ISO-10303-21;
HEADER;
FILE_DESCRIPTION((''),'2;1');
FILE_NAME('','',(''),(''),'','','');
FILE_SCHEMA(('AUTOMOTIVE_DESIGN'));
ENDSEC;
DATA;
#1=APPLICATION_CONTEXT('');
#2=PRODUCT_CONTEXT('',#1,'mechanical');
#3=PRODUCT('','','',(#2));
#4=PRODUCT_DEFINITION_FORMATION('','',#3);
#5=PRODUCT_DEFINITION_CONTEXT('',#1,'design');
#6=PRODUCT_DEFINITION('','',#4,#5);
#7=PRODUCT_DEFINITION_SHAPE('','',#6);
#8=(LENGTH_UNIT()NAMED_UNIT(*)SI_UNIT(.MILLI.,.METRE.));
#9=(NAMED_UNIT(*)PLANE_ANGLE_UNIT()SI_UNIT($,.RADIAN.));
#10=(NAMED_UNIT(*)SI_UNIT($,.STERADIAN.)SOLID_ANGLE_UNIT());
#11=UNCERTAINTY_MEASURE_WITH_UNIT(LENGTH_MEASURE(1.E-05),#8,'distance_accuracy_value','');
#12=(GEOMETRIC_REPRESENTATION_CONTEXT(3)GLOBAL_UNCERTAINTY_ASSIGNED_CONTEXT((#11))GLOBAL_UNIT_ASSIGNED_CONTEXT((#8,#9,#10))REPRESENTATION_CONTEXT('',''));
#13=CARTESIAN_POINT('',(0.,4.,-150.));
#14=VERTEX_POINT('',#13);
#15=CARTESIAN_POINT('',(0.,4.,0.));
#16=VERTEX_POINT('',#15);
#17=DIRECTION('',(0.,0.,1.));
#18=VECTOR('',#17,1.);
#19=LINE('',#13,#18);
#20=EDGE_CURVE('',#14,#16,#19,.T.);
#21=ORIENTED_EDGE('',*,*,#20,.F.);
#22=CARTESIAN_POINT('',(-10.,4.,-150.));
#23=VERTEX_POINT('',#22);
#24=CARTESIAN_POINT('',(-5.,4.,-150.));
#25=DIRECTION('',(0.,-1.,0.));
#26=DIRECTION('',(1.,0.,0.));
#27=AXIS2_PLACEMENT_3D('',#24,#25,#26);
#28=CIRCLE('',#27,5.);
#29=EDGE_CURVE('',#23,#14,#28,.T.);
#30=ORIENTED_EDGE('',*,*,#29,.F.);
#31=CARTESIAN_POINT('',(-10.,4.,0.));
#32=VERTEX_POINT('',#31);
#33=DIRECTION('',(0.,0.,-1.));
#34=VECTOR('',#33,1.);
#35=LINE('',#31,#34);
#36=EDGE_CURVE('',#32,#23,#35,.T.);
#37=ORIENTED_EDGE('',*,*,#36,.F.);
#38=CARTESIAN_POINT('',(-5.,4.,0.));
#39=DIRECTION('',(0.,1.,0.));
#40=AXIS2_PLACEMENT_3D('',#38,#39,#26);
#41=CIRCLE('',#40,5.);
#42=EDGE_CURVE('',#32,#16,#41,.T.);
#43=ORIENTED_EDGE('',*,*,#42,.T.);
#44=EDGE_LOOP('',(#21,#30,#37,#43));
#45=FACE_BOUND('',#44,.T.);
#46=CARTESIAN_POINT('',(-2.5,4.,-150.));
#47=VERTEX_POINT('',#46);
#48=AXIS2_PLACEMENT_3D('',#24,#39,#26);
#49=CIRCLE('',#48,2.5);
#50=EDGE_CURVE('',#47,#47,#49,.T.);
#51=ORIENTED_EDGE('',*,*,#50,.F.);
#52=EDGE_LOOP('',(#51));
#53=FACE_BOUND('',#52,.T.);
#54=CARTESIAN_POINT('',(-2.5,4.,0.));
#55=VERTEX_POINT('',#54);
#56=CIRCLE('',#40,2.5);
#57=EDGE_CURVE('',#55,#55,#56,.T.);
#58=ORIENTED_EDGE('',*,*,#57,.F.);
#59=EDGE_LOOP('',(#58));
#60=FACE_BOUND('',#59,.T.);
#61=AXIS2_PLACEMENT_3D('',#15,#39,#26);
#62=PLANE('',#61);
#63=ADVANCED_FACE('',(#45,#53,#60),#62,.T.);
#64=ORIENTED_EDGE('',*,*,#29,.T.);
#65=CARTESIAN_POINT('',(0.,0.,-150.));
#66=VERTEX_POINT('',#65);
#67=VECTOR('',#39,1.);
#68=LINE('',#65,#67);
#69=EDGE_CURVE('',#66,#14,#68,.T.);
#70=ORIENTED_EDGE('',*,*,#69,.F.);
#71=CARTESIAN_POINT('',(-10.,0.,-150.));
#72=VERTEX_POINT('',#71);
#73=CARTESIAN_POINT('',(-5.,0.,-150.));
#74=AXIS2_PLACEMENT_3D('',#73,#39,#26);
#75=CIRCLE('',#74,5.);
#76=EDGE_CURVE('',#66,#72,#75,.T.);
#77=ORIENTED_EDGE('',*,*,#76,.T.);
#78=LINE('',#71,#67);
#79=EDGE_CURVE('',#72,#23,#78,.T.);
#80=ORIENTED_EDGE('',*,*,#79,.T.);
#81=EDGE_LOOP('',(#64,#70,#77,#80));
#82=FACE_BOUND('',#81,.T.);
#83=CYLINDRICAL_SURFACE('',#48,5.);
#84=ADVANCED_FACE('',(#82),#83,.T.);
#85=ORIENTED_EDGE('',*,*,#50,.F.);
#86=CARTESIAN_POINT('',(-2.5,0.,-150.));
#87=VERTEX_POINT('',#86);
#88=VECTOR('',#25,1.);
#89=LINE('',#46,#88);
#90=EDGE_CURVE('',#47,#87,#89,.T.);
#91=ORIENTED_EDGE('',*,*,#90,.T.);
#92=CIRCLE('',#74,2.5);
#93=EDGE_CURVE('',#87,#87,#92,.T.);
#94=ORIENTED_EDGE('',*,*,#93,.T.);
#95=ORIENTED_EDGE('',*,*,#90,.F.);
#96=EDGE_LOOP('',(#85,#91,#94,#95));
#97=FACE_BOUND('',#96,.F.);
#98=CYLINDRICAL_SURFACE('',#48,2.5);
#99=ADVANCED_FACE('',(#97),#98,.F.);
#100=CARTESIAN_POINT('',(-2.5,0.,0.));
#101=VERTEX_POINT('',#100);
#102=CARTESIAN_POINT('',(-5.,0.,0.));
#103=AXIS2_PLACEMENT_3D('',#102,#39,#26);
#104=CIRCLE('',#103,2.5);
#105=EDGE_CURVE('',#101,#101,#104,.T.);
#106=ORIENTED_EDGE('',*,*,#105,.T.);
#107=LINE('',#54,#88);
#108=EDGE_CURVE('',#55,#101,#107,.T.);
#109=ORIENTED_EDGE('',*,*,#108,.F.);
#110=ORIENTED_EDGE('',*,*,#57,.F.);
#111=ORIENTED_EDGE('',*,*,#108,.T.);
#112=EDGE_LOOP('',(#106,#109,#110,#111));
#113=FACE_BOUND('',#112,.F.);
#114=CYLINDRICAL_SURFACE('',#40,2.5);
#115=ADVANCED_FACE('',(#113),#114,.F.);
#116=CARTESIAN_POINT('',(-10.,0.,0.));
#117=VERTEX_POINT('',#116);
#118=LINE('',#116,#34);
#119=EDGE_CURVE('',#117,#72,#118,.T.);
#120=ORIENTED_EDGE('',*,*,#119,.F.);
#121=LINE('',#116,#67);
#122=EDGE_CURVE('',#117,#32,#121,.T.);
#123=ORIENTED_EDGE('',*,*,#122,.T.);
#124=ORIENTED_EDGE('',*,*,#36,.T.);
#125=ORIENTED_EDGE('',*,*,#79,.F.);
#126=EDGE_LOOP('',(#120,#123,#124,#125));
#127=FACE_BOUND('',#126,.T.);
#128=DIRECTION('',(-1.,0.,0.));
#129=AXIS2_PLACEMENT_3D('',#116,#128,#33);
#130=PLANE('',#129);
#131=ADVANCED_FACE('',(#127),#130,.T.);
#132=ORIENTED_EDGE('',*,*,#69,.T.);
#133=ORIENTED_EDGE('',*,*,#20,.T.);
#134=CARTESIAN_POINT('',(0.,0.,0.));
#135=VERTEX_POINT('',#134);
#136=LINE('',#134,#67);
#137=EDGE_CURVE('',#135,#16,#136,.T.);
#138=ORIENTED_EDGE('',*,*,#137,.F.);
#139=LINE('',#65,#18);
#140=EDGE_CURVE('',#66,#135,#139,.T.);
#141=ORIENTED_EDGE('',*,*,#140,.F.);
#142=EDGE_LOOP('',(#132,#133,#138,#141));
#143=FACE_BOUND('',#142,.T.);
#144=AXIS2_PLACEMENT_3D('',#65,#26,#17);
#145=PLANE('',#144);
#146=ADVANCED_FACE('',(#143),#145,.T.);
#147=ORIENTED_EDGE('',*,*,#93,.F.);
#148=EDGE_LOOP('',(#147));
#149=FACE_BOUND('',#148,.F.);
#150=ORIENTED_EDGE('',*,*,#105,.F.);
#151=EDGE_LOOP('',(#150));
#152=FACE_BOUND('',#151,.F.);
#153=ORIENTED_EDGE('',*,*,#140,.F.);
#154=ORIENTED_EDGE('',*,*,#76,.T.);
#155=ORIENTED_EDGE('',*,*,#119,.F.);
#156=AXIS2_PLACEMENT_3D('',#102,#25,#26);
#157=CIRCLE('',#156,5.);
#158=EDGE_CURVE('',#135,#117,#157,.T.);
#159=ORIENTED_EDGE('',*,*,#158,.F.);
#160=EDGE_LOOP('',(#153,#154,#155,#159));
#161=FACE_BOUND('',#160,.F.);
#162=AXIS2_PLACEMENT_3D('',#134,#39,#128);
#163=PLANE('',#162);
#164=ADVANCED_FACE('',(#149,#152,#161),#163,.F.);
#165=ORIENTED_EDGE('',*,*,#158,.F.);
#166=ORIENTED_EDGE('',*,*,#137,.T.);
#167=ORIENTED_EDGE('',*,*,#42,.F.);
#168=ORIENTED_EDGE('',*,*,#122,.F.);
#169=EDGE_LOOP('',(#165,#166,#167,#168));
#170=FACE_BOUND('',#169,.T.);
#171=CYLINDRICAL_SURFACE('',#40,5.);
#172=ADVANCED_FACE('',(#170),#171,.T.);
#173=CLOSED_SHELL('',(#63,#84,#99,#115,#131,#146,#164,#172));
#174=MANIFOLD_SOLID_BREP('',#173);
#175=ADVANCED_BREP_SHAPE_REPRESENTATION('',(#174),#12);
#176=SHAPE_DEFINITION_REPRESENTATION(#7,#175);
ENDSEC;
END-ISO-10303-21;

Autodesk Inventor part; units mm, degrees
ref_plane "YZ Plane" through (0, 0, 0) normal (1, 0, 0) x (0, 1, 0)
ref_plane "XZ Plane" through (0, 0, 0) normal (0, 1, 0) x (-1, 0, 0)
ref_plane "XY Plane" through (0, 0, 0) normal (0, 0, 1) x (1, 0, 0)
sketch "Schizzo1" plane through (0, 0, 0) normal (0, 1, 0) x (-1, 0, 0)
  line L0 (0, 0) -> (10, 0)
  line L1 (10, 0) -> (10, -150)
  line L2 (10, -150) -> (0, -150)
  line L3 (0, -150) -> (0, 0)
  dimension "d0" = 150
  dimension "d1" = 10
extrude "Estrusione1" add sketch "Schizzo1" along normal blind 4
sketch "Schizzo2" plane through (0, 4, 0) normal (0, 1, 0) x (1, 0, 0)
  line L0 (-10, 0) -> (0, 0) projected
  circle A0 centre (-5, 0) radius 5
  circle A1 centre (-5, 0) radius 2.5
  line L1 (0, 150) -> (-10, 150) projected
  circle A2 centre (-5, 150) radius 5
  circle A3 centre (-5, 150) radius 2.5
  point P0 (-7.5, 150)
  point P1 (-2.5, 150)
  point P2 (-2.5, 0)
  point P3 (-7.5, 0)
  dimension "d4" = 5
  dimension "d5" = 5
extrude "Estrusione2" add sketch "Schizzo2" against normal up to surface (4 mm away) contours A1 L0 A0 | L0 A0 A1 | A2 L1 A3 | L1 A3 A2
extrude "Estrusione3" cut sketch "Schizzo2" against normal blind 10 contours L0 A1 | A3 L1 picked at (-4.3762, 0.5526) picked at (-4.7045, 148.822)
properties part number "pod" material "Titanio"
